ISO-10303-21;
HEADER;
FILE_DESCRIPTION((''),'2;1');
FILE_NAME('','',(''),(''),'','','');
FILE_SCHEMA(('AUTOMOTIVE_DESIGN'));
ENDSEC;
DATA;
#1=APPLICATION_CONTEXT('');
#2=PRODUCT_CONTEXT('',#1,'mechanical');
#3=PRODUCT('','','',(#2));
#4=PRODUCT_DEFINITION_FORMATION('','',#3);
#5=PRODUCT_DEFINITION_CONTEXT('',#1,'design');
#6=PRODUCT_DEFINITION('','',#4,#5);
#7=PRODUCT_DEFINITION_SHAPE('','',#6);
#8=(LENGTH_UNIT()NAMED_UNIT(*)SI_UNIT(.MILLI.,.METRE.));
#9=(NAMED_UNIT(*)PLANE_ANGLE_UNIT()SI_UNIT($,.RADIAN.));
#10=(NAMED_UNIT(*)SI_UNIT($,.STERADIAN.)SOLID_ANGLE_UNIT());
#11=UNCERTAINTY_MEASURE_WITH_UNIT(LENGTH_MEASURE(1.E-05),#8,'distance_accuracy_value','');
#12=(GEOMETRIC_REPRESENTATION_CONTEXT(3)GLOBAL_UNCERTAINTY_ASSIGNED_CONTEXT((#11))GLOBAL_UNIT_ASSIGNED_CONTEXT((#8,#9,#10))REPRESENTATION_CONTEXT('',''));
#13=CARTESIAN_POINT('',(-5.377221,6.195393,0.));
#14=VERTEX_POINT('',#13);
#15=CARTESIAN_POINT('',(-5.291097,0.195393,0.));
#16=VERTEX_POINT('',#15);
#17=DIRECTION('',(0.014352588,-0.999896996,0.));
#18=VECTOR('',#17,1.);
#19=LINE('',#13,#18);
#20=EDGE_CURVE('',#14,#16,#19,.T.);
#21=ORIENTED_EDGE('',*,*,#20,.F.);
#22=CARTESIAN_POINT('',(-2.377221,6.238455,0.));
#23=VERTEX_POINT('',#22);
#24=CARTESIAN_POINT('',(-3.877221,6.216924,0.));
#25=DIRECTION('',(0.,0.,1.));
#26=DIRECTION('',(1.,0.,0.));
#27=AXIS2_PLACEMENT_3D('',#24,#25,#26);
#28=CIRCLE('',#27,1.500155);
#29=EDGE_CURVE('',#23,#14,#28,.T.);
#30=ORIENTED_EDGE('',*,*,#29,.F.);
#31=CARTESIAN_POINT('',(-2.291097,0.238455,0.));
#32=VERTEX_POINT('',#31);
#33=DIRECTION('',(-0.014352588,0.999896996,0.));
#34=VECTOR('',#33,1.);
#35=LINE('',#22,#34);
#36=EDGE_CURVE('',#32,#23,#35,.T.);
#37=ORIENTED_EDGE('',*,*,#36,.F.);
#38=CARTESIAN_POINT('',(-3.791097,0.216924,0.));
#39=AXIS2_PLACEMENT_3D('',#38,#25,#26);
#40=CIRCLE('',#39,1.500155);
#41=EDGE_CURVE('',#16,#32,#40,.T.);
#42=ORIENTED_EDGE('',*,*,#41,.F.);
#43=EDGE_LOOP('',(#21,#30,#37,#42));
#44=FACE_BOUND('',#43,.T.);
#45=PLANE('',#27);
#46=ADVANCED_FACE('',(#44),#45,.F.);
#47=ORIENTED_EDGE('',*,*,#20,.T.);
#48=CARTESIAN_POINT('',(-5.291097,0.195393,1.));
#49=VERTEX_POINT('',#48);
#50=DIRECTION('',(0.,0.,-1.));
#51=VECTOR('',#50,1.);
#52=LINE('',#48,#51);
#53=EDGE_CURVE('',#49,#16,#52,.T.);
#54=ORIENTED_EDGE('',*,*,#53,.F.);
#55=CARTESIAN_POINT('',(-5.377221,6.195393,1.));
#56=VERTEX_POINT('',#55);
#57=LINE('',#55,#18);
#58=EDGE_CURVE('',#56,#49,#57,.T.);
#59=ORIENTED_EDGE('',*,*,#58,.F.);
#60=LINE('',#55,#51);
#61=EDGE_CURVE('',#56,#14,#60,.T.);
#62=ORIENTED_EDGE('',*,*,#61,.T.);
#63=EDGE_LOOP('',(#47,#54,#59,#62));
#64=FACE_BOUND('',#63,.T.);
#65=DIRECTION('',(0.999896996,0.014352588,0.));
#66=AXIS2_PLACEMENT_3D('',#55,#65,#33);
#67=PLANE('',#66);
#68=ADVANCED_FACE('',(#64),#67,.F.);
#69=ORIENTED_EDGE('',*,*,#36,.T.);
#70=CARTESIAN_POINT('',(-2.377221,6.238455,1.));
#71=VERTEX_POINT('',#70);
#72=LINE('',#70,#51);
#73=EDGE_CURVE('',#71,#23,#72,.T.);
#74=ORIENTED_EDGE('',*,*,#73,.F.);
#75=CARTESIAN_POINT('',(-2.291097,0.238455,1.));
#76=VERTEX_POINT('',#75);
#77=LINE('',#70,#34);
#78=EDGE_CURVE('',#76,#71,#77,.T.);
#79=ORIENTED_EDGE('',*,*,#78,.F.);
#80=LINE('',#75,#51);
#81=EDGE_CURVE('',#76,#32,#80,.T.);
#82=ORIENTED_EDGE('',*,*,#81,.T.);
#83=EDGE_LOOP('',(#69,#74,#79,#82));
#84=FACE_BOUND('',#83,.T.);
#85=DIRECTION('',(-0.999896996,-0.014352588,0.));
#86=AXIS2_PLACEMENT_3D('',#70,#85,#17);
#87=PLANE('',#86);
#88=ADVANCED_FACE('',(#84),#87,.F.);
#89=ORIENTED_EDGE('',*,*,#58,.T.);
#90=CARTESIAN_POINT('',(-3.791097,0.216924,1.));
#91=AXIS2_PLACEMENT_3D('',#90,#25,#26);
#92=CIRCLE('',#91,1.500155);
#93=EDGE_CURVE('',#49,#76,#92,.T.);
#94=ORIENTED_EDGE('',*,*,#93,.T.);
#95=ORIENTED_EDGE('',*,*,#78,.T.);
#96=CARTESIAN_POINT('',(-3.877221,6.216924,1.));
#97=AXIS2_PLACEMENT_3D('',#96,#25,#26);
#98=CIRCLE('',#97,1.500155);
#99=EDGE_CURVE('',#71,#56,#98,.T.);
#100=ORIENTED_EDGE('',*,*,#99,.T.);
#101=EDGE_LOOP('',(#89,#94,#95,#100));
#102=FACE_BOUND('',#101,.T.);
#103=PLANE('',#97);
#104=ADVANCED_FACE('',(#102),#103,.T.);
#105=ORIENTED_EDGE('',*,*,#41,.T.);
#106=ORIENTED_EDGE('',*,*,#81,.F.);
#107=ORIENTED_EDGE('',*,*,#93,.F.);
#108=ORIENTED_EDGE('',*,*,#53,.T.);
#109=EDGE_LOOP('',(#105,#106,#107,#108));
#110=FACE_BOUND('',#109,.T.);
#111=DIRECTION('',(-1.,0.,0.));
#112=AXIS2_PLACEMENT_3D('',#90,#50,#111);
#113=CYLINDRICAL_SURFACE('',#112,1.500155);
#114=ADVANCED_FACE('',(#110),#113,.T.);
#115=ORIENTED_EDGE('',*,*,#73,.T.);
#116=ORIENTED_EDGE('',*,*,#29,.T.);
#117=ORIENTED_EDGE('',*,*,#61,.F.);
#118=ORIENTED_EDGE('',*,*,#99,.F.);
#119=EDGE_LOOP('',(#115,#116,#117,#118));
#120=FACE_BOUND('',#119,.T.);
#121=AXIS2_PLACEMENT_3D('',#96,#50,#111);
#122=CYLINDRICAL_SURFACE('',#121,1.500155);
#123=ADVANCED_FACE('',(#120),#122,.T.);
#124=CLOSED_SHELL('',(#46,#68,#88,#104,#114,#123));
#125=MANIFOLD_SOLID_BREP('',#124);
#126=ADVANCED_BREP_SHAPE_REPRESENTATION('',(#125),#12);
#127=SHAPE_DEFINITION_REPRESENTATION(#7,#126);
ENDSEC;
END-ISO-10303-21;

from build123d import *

# Parameters (mm, degrees)
EXTRUDE_1_DEPTH = 1


with BuildPart() as part:
    # 草图1 → 凸台-拉伸1 (new body)
    with BuildSketch(Plane.XY):
        with BuildLine():
            Line((-2.377221091, 6.238455121), (-2.291096689, 0.238455121))
            ThreePointArc((-2.291096689, 0.238455121), (-3.769565589, -1.283075979), (-5.291096689, 0.195392921))
            Line((-5.291096689, 0.195392921), (-5.377221091, 6.195392921))
            ThreePointArc((-5.377221091, 6.195392921), (-3.898752192, 7.716924021), (-2.377221091, 6.238455121))
        make_face()
    extrude(amount=EXTRUDE_1_DEPTH)


solid = part.part
